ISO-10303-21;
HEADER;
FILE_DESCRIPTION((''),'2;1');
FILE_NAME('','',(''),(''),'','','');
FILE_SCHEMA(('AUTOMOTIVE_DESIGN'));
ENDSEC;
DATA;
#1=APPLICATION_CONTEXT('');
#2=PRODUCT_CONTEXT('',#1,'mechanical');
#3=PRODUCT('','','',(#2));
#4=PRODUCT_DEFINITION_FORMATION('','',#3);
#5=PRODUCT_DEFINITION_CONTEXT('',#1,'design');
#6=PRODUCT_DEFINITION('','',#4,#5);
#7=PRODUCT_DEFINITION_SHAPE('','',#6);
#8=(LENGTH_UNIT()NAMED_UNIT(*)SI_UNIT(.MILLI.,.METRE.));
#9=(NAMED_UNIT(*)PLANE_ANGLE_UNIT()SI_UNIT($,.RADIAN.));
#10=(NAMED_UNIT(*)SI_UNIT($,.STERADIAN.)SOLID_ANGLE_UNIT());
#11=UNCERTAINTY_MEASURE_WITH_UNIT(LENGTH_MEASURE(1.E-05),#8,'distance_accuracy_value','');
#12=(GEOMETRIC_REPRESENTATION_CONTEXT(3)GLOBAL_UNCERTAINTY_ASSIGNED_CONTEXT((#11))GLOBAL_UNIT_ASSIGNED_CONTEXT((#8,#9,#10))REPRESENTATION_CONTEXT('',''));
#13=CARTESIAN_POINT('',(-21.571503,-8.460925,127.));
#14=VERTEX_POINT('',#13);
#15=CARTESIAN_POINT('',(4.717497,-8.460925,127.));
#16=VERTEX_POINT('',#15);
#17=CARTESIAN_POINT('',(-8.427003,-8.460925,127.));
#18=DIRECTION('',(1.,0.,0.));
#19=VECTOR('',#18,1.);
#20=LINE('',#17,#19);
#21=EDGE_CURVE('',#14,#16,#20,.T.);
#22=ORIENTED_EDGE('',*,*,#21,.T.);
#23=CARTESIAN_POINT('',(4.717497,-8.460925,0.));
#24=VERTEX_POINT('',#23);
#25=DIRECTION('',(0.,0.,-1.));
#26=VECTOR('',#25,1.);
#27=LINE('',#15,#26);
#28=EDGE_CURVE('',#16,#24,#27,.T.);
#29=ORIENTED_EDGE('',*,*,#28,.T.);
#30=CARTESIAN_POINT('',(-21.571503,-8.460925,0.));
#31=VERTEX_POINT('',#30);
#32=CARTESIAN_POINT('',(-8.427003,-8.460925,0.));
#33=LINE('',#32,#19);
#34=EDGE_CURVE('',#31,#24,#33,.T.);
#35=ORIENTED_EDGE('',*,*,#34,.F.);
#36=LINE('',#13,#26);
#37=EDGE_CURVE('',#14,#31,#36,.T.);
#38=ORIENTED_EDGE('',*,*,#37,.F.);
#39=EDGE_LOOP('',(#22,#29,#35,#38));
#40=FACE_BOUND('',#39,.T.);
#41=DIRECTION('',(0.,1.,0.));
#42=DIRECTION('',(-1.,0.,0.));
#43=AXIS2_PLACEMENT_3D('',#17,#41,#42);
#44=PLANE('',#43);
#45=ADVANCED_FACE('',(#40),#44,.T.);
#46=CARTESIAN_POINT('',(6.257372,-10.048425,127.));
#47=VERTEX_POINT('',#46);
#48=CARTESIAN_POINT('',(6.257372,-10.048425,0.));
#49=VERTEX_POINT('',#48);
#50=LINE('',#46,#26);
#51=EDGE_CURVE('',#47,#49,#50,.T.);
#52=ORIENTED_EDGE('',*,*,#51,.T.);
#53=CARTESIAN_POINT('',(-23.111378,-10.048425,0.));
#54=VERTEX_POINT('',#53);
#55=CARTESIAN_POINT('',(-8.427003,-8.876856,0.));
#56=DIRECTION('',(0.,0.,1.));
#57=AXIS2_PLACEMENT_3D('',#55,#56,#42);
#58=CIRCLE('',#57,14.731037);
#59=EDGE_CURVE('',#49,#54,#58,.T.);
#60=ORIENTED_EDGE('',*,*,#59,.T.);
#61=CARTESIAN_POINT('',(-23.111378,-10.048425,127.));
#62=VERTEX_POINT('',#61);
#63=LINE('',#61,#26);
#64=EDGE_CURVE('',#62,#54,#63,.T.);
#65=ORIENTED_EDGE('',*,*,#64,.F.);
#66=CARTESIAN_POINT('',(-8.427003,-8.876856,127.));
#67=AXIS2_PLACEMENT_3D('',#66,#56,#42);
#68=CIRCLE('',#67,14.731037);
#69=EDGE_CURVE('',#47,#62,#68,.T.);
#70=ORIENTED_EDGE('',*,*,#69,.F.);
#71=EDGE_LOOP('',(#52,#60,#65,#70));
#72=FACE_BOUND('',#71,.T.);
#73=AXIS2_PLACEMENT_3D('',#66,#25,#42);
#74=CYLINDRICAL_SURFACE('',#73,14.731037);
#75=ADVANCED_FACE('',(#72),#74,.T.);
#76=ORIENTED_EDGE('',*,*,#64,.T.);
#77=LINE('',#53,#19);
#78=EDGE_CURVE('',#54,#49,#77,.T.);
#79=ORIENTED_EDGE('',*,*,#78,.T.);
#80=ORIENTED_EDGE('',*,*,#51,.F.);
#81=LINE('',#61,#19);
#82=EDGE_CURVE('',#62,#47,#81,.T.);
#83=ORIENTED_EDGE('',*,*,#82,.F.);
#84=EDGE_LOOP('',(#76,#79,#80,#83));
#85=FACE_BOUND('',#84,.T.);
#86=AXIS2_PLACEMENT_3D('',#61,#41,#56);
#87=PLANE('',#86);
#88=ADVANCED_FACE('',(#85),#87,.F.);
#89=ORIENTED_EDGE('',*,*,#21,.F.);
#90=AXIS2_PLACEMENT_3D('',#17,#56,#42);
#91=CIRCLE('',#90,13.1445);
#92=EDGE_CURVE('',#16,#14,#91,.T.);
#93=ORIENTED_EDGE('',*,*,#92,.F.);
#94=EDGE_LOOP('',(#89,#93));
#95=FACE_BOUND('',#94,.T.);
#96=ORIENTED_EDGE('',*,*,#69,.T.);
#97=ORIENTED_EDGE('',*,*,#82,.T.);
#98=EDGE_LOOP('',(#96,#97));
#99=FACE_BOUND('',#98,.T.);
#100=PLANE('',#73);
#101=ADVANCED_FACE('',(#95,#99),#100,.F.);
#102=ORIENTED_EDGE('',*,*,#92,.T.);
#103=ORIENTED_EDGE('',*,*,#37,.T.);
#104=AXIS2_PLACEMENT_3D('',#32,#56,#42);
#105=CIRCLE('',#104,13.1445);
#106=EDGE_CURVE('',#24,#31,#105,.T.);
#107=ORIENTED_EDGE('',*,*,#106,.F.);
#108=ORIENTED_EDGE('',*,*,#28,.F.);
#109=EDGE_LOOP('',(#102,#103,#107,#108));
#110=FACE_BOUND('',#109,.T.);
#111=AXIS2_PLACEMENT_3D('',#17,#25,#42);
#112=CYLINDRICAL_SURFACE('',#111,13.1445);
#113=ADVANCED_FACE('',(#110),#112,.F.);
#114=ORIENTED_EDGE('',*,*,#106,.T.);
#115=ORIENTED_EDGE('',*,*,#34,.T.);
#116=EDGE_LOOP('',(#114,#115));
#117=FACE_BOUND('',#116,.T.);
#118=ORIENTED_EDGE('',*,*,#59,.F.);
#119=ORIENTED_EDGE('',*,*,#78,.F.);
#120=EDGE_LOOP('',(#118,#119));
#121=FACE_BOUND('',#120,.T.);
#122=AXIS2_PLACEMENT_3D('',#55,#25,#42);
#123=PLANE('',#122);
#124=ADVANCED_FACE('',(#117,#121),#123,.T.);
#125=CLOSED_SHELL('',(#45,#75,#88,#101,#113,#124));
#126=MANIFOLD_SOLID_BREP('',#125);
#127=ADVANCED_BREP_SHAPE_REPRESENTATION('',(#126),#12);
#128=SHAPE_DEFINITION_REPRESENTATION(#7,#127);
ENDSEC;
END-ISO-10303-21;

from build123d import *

# Parameters (mm, degrees)
BOSS_EXTRUDE2_DEPTH = 127


with BuildPart() as part:
    # Sketch1 → Boss-Extrude2 (new body)
    with BuildSketch(Plane.XY):
        with BuildLine():
            Line((-23.111377793, -10.048425127), (6.257372207, -10.048425127))
            ThreePointArc((6.257372207, -10.048425127), (-8.427002793, 5.85418124), (-23.111377793, -10.048425127))
        make_face()
        with BuildLine():
            Line((-8.427002793, -8.460925127), (-21.571502793, -8.460925127))
            ThreePointArc((-21.571502793, -8.460925127), (-8.427002793, 4.683574873), (4.717497207, -8.460925127))
            Line((4.717497207, -8.460925127), (-8.427002793, -8.460925127))
        make_face(mode=Mode.SUBTRACT)
    extrude(amount=BOSS_EXTRUDE2_DEPTH)


solid = part.part
